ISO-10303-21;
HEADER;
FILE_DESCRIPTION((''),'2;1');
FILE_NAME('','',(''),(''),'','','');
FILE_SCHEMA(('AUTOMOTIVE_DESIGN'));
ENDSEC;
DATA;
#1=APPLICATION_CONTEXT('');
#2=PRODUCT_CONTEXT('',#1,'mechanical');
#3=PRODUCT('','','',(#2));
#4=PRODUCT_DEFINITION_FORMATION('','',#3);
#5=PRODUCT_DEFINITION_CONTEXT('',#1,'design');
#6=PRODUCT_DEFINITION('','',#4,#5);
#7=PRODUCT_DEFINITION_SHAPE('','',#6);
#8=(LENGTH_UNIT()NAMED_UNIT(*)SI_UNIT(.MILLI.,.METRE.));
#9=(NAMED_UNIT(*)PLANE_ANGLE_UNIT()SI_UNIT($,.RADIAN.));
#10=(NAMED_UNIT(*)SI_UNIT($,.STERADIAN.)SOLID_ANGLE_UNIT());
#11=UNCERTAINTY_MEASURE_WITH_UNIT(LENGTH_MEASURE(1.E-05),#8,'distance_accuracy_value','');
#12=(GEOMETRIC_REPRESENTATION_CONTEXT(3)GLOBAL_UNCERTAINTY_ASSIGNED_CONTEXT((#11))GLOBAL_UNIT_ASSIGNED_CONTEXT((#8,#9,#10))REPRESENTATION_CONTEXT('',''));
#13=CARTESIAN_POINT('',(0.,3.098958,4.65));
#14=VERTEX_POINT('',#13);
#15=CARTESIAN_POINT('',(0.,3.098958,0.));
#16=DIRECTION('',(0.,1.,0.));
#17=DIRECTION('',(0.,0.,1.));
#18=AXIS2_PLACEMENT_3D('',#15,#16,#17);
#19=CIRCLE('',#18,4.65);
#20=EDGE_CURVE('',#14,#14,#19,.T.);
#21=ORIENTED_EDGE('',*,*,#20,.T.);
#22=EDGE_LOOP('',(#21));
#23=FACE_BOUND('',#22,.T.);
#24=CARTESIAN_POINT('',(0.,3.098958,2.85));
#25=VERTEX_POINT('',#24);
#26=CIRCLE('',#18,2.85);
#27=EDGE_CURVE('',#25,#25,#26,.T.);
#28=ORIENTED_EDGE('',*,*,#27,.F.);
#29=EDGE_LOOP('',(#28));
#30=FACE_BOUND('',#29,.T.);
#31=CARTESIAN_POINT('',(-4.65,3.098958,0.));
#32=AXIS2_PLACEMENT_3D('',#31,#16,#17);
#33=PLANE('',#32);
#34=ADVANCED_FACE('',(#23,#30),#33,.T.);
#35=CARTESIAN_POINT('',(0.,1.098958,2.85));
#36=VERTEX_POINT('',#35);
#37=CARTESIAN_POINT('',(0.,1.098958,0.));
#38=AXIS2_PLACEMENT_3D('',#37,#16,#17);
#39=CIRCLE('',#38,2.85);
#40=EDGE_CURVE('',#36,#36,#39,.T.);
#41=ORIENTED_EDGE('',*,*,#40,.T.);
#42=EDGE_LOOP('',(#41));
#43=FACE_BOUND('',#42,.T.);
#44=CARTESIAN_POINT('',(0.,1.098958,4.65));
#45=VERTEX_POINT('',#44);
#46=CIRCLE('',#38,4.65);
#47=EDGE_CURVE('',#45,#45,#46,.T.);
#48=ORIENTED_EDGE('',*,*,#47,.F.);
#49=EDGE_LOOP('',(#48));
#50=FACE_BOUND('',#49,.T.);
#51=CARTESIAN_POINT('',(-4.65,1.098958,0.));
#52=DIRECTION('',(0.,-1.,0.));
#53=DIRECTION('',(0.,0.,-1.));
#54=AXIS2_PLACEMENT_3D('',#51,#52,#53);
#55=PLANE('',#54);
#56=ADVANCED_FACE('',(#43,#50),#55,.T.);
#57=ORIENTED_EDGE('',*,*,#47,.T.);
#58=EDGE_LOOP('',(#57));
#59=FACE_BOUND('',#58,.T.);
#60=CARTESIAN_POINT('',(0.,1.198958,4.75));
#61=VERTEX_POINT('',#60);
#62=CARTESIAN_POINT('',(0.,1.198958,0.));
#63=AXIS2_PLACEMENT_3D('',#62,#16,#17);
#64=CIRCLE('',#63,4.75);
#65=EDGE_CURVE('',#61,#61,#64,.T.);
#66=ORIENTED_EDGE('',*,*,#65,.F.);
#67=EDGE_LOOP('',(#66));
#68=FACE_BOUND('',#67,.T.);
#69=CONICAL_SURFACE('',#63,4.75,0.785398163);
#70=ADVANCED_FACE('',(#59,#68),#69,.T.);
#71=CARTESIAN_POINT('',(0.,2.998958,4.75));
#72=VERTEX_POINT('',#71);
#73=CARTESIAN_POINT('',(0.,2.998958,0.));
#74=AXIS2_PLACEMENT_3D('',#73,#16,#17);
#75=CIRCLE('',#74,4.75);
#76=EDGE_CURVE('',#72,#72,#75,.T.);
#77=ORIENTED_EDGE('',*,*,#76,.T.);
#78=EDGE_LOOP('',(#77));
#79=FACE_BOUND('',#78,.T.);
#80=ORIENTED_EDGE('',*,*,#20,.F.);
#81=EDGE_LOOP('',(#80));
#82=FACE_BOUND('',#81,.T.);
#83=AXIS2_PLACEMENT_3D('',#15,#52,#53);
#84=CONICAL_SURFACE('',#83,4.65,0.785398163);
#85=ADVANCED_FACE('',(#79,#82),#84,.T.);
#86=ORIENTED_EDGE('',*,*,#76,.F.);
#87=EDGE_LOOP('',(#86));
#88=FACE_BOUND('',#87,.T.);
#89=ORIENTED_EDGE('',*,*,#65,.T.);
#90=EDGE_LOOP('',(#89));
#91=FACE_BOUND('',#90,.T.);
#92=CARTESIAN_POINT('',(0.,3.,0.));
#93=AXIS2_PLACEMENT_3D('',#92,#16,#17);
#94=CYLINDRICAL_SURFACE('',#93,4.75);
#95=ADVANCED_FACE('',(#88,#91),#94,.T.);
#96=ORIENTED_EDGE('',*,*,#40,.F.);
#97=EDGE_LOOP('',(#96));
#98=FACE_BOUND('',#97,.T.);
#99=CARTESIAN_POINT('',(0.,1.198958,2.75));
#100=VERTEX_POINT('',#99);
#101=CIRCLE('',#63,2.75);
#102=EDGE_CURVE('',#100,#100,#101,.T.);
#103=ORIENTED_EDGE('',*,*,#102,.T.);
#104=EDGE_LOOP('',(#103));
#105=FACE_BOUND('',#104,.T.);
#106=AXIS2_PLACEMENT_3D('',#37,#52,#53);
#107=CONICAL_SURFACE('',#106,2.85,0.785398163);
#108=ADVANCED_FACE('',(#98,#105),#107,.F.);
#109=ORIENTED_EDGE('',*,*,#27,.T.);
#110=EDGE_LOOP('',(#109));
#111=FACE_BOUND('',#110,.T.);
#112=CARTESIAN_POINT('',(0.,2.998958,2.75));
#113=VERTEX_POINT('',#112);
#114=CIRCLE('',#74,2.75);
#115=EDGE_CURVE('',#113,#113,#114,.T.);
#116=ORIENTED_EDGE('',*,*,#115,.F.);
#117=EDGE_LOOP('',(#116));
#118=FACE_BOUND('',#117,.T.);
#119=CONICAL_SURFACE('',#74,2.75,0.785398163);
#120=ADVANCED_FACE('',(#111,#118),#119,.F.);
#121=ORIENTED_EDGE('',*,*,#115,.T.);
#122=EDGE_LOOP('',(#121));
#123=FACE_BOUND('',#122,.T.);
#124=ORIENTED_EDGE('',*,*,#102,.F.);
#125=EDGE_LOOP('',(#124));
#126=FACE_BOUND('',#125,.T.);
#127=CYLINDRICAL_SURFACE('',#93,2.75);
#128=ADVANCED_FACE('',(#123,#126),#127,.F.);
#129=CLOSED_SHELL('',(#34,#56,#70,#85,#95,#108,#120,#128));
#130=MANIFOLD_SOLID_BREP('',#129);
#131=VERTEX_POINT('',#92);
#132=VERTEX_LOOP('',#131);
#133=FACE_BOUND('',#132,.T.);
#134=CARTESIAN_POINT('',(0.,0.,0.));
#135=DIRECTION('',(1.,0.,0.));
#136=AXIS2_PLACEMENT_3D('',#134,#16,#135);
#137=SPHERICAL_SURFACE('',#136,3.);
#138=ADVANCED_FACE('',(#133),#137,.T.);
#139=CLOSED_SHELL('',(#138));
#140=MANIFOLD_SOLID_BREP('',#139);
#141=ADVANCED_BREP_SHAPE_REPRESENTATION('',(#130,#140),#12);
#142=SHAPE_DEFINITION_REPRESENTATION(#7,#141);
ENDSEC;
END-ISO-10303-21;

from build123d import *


with BuildPart() as part:
    # Croquis1 → Revolución1 (revolve)
    with BuildSketch(Plane.XY):
        Polygon((-2.85, 1.098957881), (-2.75, 1.198957881), (-2.75, 2.998957881), (-2.85, 3.098957881), (-4.65, 3.098957881), (-4.75, 2.998957881), (-4.75, 1.198957881), (-4.65, 1.098957881), align=None)
    revolve(axis=Axis((0, 3, 0), (0, -1, 0)))


with BuildPart() as body_2:
    # Croquis2 → Revolución2 (revolve)
    with BuildSketch(Plane.XY):
        with BuildLine():
            Line((0, 3), (0, -3))
            ThreePointArc((0, -3), (-3, 0), (0, 3))
        make_face()
    revolve(axis=Axis((0, 3, 0), (0, -1, 0)))


solid = Compound([part.part, body_2.part])
